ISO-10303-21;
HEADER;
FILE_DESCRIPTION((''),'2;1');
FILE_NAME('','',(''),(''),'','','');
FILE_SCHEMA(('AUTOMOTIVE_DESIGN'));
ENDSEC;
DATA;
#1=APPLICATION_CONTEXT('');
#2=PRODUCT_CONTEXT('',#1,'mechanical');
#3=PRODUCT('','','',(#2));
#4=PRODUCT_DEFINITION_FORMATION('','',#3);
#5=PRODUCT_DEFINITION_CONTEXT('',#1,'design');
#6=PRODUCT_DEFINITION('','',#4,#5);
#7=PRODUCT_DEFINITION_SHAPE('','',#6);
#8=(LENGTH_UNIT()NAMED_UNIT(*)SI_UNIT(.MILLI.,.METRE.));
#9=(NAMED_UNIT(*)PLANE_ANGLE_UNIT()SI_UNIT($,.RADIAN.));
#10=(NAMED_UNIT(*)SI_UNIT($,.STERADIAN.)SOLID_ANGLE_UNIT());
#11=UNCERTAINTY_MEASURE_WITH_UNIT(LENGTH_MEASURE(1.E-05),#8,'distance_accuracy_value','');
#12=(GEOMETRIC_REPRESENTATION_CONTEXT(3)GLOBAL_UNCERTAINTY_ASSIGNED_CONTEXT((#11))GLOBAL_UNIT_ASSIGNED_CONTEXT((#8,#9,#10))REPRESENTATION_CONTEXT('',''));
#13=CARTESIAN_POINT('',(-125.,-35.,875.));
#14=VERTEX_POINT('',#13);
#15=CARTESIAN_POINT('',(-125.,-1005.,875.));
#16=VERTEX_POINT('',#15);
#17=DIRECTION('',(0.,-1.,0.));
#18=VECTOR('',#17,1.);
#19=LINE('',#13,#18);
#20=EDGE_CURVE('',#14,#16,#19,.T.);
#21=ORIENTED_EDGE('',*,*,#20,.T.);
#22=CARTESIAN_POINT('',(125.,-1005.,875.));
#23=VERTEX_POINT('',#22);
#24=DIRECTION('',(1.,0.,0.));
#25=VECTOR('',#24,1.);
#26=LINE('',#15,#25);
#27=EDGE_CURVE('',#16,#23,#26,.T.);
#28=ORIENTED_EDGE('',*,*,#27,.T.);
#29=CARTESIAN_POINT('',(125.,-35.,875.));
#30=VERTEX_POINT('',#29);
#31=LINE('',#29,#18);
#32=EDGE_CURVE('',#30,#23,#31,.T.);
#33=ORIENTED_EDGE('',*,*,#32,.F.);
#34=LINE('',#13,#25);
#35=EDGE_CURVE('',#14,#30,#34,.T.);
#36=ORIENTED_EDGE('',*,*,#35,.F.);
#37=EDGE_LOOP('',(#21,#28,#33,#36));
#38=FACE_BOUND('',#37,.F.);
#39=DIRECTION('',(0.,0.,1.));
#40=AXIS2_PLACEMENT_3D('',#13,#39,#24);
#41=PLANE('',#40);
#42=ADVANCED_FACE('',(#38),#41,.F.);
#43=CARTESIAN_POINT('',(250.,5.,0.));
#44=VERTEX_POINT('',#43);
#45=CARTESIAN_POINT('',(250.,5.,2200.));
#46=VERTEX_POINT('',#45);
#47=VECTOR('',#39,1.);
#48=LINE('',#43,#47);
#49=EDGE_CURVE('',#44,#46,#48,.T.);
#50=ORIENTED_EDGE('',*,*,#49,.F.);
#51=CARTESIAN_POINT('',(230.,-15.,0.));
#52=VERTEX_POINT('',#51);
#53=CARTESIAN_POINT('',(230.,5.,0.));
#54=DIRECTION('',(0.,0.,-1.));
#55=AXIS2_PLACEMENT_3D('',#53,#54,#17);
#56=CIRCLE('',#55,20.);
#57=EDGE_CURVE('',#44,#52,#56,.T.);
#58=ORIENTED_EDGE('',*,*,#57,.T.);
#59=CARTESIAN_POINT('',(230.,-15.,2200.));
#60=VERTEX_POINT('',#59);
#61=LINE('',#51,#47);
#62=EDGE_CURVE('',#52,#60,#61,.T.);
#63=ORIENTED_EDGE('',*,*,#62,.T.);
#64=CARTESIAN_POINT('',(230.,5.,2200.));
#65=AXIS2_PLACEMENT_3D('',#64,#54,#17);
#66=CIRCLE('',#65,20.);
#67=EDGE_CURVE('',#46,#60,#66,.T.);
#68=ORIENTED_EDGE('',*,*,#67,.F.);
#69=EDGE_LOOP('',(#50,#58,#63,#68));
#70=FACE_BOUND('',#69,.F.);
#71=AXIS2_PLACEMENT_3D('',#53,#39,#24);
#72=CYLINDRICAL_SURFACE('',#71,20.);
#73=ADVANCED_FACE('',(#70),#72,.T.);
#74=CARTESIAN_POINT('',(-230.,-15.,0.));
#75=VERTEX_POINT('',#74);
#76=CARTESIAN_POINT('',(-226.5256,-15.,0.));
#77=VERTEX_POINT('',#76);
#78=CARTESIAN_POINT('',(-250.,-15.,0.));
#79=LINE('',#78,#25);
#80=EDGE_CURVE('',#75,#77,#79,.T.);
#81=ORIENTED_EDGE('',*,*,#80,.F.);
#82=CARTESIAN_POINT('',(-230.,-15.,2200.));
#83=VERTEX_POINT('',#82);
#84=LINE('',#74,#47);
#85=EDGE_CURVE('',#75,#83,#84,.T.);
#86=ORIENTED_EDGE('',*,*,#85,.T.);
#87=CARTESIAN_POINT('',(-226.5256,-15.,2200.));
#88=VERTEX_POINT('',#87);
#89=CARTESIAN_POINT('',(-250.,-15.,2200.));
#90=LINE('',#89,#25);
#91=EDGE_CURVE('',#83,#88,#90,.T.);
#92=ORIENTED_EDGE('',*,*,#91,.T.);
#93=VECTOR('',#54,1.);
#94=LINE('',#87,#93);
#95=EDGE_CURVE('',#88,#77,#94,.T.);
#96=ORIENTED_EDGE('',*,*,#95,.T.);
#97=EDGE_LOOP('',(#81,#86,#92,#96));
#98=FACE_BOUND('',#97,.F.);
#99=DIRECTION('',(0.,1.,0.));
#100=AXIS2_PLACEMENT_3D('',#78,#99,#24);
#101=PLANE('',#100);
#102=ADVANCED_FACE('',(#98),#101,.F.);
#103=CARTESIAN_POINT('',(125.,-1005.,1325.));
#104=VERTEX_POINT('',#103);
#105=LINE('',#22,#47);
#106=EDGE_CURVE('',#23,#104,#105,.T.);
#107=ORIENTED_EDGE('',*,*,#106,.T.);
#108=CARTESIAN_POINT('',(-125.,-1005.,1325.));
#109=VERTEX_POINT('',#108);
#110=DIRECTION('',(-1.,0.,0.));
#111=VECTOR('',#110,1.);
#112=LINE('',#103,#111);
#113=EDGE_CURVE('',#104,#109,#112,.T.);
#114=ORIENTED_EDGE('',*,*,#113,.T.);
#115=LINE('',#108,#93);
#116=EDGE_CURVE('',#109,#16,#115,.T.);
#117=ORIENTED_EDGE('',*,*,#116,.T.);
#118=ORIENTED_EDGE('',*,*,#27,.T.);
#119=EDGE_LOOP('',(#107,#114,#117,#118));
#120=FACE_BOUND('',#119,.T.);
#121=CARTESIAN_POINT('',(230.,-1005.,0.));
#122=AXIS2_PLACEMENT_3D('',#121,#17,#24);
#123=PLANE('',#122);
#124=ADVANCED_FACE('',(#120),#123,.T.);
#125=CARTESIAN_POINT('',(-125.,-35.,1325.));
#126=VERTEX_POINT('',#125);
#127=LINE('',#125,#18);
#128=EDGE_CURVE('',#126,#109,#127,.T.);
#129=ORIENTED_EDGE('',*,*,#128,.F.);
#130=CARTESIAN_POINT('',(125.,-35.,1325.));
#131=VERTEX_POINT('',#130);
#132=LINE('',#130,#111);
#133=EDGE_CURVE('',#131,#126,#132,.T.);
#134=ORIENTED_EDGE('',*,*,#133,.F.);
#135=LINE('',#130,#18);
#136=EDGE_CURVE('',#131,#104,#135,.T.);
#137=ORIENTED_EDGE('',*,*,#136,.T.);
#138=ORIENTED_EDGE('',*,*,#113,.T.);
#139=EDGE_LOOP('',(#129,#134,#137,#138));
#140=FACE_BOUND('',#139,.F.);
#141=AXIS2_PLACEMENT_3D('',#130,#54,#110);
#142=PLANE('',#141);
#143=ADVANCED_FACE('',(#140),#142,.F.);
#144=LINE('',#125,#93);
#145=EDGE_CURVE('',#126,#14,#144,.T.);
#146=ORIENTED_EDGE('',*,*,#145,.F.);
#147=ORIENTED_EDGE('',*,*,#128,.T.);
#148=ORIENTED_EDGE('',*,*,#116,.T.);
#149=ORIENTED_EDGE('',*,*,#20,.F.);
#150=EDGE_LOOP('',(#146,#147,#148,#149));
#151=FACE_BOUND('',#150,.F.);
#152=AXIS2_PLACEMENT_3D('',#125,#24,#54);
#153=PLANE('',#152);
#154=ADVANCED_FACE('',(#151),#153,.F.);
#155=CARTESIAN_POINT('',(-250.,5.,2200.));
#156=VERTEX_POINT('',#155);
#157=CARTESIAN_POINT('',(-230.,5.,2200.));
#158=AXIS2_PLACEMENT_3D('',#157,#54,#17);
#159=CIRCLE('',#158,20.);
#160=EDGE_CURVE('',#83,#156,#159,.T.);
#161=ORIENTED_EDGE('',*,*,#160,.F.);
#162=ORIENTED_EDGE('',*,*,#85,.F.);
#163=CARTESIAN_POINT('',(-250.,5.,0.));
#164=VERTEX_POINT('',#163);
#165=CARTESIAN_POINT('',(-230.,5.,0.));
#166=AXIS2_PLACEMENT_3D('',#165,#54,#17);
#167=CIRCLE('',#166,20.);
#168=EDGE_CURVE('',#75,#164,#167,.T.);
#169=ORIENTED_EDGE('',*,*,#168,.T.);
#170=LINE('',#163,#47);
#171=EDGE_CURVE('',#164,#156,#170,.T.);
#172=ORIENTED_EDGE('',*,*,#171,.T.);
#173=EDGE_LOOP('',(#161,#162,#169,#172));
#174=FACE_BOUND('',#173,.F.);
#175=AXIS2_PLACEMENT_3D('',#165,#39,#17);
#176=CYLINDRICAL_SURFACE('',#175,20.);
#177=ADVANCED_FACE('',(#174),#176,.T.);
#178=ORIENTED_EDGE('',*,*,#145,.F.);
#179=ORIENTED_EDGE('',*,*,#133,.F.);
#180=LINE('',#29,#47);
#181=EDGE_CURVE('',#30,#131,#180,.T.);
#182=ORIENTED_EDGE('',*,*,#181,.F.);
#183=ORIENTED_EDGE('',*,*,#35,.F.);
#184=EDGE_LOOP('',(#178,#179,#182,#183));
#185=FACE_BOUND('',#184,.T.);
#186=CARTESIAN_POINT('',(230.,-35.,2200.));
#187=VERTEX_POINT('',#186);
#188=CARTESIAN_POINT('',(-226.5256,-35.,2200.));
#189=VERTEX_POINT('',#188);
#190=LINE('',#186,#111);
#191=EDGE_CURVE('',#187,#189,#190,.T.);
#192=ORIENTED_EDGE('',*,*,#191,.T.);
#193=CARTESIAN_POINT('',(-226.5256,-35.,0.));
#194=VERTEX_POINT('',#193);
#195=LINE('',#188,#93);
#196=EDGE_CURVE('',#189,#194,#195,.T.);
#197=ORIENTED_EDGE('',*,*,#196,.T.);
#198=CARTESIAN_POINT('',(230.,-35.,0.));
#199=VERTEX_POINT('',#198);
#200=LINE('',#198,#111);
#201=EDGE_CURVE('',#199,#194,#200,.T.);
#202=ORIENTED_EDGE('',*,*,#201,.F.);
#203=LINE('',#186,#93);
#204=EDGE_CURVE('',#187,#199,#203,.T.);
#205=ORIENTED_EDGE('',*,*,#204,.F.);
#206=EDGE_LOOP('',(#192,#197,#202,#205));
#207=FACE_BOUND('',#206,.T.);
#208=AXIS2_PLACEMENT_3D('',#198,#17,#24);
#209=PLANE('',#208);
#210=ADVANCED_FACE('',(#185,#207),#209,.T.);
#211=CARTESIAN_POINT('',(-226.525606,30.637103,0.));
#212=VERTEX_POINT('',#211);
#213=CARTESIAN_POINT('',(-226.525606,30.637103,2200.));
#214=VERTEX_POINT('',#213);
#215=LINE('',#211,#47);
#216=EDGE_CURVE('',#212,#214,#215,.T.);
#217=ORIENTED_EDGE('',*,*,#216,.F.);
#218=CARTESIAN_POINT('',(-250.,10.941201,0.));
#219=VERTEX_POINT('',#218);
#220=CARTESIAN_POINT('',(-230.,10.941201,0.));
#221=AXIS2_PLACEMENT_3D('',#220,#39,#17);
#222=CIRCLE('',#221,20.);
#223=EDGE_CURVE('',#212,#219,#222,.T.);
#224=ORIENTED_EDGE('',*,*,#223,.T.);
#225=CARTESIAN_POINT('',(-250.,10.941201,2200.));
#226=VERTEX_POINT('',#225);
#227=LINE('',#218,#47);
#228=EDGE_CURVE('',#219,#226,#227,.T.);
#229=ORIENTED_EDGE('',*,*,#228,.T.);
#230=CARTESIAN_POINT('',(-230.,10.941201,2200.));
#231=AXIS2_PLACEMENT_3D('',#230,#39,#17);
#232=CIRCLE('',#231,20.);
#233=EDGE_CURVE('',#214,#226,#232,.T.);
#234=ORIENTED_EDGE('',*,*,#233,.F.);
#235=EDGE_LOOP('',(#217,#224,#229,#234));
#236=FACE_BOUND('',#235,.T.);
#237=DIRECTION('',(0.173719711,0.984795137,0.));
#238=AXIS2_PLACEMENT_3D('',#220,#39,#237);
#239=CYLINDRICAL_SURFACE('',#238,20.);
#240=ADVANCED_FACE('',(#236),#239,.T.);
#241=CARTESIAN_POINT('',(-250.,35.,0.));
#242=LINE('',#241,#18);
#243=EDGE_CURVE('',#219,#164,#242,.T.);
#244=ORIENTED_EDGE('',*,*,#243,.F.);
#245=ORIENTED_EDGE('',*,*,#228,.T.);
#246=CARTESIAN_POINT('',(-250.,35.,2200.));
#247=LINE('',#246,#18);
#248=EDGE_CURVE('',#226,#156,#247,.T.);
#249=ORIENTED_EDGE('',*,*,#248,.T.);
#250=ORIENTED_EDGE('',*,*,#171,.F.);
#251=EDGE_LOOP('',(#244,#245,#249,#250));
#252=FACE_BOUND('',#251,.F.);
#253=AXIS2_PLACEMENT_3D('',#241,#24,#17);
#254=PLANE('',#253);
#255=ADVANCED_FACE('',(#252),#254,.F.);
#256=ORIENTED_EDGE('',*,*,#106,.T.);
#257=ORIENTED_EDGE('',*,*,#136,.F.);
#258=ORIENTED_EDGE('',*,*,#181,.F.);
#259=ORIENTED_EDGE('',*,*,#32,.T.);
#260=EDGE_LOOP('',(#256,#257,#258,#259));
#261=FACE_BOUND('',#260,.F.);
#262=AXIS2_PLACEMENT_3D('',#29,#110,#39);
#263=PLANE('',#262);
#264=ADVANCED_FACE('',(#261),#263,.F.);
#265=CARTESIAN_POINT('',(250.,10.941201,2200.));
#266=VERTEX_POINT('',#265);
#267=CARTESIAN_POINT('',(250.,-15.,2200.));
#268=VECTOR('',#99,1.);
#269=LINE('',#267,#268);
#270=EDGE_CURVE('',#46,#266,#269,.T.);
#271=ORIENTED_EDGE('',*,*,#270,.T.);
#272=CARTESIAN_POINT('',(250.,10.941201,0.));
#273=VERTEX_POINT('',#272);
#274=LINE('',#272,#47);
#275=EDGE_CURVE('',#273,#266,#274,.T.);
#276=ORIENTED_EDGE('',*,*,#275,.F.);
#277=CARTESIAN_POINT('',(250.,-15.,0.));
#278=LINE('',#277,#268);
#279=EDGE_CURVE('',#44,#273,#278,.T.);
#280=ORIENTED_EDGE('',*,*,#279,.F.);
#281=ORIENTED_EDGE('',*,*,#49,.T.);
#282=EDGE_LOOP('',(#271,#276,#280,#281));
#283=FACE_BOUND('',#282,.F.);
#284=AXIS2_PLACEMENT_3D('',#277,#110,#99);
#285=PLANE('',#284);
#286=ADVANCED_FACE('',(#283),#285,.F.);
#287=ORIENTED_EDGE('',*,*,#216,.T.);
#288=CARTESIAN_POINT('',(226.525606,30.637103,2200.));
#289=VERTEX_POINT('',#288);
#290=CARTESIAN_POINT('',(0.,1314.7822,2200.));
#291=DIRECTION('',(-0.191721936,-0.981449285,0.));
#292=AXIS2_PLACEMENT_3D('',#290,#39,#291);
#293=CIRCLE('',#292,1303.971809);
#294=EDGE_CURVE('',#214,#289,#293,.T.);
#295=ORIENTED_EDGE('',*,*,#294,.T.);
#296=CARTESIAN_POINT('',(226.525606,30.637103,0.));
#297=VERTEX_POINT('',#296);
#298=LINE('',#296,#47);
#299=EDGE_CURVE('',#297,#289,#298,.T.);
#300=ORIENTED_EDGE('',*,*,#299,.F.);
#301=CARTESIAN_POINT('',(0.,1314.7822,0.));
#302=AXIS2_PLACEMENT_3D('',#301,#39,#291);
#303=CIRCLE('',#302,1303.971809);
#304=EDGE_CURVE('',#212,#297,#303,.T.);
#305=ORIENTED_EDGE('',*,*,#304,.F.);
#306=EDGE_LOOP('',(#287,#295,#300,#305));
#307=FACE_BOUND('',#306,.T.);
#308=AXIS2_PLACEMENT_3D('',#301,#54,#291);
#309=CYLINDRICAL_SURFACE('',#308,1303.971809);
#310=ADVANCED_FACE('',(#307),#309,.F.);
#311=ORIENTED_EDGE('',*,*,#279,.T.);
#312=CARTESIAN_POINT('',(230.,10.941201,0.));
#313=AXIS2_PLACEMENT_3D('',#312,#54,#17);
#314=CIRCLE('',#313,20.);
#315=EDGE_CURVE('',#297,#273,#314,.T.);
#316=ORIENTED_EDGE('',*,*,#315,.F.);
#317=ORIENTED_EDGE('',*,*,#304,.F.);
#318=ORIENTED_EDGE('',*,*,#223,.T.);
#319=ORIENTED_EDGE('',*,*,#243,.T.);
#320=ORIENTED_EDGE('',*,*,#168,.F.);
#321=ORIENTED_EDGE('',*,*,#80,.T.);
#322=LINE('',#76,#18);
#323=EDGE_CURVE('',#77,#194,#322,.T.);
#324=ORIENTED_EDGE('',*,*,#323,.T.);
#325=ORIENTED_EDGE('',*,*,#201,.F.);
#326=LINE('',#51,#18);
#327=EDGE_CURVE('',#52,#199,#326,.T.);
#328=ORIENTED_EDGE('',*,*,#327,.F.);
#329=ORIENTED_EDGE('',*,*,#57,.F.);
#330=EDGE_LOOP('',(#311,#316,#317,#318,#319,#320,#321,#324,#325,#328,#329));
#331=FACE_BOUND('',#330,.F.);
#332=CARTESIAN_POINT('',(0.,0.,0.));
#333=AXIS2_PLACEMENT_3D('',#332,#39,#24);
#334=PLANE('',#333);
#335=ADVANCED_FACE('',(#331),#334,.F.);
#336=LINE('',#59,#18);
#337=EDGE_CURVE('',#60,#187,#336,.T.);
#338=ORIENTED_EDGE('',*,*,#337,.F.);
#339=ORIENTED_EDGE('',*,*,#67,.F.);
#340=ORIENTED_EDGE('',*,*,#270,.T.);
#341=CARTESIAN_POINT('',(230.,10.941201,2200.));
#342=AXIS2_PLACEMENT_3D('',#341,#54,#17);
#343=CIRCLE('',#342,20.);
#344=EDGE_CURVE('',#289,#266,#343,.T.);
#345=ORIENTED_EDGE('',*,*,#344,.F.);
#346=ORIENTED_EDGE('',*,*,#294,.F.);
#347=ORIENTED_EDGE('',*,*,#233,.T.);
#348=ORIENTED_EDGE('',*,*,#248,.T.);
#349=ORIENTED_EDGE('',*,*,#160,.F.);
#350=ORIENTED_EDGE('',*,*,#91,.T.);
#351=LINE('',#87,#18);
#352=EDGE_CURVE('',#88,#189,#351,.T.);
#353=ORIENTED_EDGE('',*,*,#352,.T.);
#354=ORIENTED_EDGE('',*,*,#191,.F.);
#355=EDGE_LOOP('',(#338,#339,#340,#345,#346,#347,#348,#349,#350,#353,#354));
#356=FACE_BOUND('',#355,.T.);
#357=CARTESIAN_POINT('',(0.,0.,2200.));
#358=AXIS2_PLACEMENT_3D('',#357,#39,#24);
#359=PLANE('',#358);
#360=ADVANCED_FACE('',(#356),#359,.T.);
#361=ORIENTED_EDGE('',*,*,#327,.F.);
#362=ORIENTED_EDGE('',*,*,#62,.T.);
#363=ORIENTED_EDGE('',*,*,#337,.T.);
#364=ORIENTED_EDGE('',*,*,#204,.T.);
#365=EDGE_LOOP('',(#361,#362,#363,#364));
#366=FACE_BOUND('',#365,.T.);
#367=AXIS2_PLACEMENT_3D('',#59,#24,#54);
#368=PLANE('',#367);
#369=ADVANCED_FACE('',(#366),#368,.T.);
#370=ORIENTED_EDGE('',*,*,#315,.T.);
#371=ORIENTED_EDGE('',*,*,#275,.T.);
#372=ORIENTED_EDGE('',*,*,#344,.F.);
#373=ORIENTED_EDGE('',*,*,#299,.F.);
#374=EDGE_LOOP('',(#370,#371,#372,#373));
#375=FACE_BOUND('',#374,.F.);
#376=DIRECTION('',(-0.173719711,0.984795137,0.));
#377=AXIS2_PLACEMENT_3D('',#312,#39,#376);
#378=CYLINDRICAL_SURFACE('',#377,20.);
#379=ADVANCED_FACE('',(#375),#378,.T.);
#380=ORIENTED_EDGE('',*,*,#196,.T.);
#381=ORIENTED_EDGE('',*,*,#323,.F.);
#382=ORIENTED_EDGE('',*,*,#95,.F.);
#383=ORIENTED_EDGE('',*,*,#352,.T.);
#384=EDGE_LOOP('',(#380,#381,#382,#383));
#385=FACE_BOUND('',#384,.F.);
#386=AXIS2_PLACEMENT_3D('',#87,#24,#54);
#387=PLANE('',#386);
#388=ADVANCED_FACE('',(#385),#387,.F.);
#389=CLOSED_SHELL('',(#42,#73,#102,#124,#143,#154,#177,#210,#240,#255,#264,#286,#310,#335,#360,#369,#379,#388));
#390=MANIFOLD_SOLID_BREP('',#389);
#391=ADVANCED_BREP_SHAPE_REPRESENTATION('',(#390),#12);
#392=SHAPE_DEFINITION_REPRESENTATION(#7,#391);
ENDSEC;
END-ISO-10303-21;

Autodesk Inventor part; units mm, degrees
ref_plane "YZ Plane" through (0, 0, 0) normal (1, 0, 0) x (0, 1, 0)
ref_plane "XZ Plane" through (0, 0, 0) normal (0, 1, 0) x (-1, 0, 0)
ref_plane "XY Plane" through (0, 0, 0) normal (0, 0, 1) x (1, 0, 0)
sketch "Sketch1" plane through (0, 0, 0) normal (0, 0, 1) x (1, 0, 0)
  line L0 (-250, -15) -> (250, -15)
  line L1 (250, -15) -> (250, 35)
  line L2 (-250, 35) -> (-250, -15)
  line L3 (-250, -15) -> (250, 35) construction
  line L4 (250, -15) -> (-250, 35) construction
  arc A0 (-250, 35) -> (250, 35) centre (0, 1314.7822) ccw
  point P0 (0, 10)
  dimension "d6" = 500
  dimension "d7" = 50
extrude "Extrusion1" add sketch "Sketch1" along normal blind 2200
fillet "Fillet1" radius 20 1 edges at (250, 35, 1100)
fillet "Fillet2" radius 20 1 edges at (250, -15, 1100)
fillet "Fillet3" radius 20 2 edges at (-250, 35, 1100) (-250, -15, 1100)
sketch "Sketch2" plane through (230, -15, 0) normal (0, -1, 0) x (1, 0, 0)
  line L0 (0, 2200) -> (0, 0) projected
  line L1 (-456.5256, 0) -> (-3.4744, 0) projected
  line L2 (0, 2200) -> (-456.5256, 2200)
  line L3 (-456.5256, 2200) -> (-456.5256, 0)
  line L4 (-456.5256, 0) -> (0, 0)
  line L5 (0, 0) -> (0, 2200)
  line L6 (-103.2628, 1325) -> (-353.2628, 1325)
  line L7 (-353.2628, 1325) -> (-353.2628, 875)
  line L8 (-353.2628, 875) -> (-103.2628, 875)
  line L9 (-103.2628, 875) -> (-103.2628, 1325)
  line L10 (-103.2628, 1325) -> (-353.2628, 875) construction
  line L11 (-353.2628, 1325) -> (-103.2628, 875) construction
  point P0 (-230, 0)
  point P1 (-228.2628, 1100)
  dimension "d15" = 250
  dimension "d16" = 450
extrude "Extrusion2" add sketch "Sketch2" along normal blind 20 contours L0 L4 L1 L3 L2 | L9 L8 L7 L6
sketch "Sketch3" plane through (230, -35, 0) normal (0, -1, 0) x (1, 0, 0)
  point P0 (-230, 0)
sketch "Sketch4" plane through (230, -35, 0) normal (0, -1, 0) x (1, 0, 0)
  line L0 (-105, 1325) -> (-355, 1325)
  line L1 (-355, 1325) -> (-355, 875)
  line L2 (-355, 875) -> (-105, 875)
  line L3 (-105, 875) -> (-105, 1325)
  line L4 (-105, 1325) -> (-355, 875) construction
  line L5 (-355, 1325) -> (-105, 875) construction
  point P0 (-230, 0)
  point P1 (-230, 1100)
  dimension "d17" = 250
  dimension "d18" = 450
extrude "Extrusion3" add sketch "Sketch4" along normal blind 970
properties part number "Patient_table"
